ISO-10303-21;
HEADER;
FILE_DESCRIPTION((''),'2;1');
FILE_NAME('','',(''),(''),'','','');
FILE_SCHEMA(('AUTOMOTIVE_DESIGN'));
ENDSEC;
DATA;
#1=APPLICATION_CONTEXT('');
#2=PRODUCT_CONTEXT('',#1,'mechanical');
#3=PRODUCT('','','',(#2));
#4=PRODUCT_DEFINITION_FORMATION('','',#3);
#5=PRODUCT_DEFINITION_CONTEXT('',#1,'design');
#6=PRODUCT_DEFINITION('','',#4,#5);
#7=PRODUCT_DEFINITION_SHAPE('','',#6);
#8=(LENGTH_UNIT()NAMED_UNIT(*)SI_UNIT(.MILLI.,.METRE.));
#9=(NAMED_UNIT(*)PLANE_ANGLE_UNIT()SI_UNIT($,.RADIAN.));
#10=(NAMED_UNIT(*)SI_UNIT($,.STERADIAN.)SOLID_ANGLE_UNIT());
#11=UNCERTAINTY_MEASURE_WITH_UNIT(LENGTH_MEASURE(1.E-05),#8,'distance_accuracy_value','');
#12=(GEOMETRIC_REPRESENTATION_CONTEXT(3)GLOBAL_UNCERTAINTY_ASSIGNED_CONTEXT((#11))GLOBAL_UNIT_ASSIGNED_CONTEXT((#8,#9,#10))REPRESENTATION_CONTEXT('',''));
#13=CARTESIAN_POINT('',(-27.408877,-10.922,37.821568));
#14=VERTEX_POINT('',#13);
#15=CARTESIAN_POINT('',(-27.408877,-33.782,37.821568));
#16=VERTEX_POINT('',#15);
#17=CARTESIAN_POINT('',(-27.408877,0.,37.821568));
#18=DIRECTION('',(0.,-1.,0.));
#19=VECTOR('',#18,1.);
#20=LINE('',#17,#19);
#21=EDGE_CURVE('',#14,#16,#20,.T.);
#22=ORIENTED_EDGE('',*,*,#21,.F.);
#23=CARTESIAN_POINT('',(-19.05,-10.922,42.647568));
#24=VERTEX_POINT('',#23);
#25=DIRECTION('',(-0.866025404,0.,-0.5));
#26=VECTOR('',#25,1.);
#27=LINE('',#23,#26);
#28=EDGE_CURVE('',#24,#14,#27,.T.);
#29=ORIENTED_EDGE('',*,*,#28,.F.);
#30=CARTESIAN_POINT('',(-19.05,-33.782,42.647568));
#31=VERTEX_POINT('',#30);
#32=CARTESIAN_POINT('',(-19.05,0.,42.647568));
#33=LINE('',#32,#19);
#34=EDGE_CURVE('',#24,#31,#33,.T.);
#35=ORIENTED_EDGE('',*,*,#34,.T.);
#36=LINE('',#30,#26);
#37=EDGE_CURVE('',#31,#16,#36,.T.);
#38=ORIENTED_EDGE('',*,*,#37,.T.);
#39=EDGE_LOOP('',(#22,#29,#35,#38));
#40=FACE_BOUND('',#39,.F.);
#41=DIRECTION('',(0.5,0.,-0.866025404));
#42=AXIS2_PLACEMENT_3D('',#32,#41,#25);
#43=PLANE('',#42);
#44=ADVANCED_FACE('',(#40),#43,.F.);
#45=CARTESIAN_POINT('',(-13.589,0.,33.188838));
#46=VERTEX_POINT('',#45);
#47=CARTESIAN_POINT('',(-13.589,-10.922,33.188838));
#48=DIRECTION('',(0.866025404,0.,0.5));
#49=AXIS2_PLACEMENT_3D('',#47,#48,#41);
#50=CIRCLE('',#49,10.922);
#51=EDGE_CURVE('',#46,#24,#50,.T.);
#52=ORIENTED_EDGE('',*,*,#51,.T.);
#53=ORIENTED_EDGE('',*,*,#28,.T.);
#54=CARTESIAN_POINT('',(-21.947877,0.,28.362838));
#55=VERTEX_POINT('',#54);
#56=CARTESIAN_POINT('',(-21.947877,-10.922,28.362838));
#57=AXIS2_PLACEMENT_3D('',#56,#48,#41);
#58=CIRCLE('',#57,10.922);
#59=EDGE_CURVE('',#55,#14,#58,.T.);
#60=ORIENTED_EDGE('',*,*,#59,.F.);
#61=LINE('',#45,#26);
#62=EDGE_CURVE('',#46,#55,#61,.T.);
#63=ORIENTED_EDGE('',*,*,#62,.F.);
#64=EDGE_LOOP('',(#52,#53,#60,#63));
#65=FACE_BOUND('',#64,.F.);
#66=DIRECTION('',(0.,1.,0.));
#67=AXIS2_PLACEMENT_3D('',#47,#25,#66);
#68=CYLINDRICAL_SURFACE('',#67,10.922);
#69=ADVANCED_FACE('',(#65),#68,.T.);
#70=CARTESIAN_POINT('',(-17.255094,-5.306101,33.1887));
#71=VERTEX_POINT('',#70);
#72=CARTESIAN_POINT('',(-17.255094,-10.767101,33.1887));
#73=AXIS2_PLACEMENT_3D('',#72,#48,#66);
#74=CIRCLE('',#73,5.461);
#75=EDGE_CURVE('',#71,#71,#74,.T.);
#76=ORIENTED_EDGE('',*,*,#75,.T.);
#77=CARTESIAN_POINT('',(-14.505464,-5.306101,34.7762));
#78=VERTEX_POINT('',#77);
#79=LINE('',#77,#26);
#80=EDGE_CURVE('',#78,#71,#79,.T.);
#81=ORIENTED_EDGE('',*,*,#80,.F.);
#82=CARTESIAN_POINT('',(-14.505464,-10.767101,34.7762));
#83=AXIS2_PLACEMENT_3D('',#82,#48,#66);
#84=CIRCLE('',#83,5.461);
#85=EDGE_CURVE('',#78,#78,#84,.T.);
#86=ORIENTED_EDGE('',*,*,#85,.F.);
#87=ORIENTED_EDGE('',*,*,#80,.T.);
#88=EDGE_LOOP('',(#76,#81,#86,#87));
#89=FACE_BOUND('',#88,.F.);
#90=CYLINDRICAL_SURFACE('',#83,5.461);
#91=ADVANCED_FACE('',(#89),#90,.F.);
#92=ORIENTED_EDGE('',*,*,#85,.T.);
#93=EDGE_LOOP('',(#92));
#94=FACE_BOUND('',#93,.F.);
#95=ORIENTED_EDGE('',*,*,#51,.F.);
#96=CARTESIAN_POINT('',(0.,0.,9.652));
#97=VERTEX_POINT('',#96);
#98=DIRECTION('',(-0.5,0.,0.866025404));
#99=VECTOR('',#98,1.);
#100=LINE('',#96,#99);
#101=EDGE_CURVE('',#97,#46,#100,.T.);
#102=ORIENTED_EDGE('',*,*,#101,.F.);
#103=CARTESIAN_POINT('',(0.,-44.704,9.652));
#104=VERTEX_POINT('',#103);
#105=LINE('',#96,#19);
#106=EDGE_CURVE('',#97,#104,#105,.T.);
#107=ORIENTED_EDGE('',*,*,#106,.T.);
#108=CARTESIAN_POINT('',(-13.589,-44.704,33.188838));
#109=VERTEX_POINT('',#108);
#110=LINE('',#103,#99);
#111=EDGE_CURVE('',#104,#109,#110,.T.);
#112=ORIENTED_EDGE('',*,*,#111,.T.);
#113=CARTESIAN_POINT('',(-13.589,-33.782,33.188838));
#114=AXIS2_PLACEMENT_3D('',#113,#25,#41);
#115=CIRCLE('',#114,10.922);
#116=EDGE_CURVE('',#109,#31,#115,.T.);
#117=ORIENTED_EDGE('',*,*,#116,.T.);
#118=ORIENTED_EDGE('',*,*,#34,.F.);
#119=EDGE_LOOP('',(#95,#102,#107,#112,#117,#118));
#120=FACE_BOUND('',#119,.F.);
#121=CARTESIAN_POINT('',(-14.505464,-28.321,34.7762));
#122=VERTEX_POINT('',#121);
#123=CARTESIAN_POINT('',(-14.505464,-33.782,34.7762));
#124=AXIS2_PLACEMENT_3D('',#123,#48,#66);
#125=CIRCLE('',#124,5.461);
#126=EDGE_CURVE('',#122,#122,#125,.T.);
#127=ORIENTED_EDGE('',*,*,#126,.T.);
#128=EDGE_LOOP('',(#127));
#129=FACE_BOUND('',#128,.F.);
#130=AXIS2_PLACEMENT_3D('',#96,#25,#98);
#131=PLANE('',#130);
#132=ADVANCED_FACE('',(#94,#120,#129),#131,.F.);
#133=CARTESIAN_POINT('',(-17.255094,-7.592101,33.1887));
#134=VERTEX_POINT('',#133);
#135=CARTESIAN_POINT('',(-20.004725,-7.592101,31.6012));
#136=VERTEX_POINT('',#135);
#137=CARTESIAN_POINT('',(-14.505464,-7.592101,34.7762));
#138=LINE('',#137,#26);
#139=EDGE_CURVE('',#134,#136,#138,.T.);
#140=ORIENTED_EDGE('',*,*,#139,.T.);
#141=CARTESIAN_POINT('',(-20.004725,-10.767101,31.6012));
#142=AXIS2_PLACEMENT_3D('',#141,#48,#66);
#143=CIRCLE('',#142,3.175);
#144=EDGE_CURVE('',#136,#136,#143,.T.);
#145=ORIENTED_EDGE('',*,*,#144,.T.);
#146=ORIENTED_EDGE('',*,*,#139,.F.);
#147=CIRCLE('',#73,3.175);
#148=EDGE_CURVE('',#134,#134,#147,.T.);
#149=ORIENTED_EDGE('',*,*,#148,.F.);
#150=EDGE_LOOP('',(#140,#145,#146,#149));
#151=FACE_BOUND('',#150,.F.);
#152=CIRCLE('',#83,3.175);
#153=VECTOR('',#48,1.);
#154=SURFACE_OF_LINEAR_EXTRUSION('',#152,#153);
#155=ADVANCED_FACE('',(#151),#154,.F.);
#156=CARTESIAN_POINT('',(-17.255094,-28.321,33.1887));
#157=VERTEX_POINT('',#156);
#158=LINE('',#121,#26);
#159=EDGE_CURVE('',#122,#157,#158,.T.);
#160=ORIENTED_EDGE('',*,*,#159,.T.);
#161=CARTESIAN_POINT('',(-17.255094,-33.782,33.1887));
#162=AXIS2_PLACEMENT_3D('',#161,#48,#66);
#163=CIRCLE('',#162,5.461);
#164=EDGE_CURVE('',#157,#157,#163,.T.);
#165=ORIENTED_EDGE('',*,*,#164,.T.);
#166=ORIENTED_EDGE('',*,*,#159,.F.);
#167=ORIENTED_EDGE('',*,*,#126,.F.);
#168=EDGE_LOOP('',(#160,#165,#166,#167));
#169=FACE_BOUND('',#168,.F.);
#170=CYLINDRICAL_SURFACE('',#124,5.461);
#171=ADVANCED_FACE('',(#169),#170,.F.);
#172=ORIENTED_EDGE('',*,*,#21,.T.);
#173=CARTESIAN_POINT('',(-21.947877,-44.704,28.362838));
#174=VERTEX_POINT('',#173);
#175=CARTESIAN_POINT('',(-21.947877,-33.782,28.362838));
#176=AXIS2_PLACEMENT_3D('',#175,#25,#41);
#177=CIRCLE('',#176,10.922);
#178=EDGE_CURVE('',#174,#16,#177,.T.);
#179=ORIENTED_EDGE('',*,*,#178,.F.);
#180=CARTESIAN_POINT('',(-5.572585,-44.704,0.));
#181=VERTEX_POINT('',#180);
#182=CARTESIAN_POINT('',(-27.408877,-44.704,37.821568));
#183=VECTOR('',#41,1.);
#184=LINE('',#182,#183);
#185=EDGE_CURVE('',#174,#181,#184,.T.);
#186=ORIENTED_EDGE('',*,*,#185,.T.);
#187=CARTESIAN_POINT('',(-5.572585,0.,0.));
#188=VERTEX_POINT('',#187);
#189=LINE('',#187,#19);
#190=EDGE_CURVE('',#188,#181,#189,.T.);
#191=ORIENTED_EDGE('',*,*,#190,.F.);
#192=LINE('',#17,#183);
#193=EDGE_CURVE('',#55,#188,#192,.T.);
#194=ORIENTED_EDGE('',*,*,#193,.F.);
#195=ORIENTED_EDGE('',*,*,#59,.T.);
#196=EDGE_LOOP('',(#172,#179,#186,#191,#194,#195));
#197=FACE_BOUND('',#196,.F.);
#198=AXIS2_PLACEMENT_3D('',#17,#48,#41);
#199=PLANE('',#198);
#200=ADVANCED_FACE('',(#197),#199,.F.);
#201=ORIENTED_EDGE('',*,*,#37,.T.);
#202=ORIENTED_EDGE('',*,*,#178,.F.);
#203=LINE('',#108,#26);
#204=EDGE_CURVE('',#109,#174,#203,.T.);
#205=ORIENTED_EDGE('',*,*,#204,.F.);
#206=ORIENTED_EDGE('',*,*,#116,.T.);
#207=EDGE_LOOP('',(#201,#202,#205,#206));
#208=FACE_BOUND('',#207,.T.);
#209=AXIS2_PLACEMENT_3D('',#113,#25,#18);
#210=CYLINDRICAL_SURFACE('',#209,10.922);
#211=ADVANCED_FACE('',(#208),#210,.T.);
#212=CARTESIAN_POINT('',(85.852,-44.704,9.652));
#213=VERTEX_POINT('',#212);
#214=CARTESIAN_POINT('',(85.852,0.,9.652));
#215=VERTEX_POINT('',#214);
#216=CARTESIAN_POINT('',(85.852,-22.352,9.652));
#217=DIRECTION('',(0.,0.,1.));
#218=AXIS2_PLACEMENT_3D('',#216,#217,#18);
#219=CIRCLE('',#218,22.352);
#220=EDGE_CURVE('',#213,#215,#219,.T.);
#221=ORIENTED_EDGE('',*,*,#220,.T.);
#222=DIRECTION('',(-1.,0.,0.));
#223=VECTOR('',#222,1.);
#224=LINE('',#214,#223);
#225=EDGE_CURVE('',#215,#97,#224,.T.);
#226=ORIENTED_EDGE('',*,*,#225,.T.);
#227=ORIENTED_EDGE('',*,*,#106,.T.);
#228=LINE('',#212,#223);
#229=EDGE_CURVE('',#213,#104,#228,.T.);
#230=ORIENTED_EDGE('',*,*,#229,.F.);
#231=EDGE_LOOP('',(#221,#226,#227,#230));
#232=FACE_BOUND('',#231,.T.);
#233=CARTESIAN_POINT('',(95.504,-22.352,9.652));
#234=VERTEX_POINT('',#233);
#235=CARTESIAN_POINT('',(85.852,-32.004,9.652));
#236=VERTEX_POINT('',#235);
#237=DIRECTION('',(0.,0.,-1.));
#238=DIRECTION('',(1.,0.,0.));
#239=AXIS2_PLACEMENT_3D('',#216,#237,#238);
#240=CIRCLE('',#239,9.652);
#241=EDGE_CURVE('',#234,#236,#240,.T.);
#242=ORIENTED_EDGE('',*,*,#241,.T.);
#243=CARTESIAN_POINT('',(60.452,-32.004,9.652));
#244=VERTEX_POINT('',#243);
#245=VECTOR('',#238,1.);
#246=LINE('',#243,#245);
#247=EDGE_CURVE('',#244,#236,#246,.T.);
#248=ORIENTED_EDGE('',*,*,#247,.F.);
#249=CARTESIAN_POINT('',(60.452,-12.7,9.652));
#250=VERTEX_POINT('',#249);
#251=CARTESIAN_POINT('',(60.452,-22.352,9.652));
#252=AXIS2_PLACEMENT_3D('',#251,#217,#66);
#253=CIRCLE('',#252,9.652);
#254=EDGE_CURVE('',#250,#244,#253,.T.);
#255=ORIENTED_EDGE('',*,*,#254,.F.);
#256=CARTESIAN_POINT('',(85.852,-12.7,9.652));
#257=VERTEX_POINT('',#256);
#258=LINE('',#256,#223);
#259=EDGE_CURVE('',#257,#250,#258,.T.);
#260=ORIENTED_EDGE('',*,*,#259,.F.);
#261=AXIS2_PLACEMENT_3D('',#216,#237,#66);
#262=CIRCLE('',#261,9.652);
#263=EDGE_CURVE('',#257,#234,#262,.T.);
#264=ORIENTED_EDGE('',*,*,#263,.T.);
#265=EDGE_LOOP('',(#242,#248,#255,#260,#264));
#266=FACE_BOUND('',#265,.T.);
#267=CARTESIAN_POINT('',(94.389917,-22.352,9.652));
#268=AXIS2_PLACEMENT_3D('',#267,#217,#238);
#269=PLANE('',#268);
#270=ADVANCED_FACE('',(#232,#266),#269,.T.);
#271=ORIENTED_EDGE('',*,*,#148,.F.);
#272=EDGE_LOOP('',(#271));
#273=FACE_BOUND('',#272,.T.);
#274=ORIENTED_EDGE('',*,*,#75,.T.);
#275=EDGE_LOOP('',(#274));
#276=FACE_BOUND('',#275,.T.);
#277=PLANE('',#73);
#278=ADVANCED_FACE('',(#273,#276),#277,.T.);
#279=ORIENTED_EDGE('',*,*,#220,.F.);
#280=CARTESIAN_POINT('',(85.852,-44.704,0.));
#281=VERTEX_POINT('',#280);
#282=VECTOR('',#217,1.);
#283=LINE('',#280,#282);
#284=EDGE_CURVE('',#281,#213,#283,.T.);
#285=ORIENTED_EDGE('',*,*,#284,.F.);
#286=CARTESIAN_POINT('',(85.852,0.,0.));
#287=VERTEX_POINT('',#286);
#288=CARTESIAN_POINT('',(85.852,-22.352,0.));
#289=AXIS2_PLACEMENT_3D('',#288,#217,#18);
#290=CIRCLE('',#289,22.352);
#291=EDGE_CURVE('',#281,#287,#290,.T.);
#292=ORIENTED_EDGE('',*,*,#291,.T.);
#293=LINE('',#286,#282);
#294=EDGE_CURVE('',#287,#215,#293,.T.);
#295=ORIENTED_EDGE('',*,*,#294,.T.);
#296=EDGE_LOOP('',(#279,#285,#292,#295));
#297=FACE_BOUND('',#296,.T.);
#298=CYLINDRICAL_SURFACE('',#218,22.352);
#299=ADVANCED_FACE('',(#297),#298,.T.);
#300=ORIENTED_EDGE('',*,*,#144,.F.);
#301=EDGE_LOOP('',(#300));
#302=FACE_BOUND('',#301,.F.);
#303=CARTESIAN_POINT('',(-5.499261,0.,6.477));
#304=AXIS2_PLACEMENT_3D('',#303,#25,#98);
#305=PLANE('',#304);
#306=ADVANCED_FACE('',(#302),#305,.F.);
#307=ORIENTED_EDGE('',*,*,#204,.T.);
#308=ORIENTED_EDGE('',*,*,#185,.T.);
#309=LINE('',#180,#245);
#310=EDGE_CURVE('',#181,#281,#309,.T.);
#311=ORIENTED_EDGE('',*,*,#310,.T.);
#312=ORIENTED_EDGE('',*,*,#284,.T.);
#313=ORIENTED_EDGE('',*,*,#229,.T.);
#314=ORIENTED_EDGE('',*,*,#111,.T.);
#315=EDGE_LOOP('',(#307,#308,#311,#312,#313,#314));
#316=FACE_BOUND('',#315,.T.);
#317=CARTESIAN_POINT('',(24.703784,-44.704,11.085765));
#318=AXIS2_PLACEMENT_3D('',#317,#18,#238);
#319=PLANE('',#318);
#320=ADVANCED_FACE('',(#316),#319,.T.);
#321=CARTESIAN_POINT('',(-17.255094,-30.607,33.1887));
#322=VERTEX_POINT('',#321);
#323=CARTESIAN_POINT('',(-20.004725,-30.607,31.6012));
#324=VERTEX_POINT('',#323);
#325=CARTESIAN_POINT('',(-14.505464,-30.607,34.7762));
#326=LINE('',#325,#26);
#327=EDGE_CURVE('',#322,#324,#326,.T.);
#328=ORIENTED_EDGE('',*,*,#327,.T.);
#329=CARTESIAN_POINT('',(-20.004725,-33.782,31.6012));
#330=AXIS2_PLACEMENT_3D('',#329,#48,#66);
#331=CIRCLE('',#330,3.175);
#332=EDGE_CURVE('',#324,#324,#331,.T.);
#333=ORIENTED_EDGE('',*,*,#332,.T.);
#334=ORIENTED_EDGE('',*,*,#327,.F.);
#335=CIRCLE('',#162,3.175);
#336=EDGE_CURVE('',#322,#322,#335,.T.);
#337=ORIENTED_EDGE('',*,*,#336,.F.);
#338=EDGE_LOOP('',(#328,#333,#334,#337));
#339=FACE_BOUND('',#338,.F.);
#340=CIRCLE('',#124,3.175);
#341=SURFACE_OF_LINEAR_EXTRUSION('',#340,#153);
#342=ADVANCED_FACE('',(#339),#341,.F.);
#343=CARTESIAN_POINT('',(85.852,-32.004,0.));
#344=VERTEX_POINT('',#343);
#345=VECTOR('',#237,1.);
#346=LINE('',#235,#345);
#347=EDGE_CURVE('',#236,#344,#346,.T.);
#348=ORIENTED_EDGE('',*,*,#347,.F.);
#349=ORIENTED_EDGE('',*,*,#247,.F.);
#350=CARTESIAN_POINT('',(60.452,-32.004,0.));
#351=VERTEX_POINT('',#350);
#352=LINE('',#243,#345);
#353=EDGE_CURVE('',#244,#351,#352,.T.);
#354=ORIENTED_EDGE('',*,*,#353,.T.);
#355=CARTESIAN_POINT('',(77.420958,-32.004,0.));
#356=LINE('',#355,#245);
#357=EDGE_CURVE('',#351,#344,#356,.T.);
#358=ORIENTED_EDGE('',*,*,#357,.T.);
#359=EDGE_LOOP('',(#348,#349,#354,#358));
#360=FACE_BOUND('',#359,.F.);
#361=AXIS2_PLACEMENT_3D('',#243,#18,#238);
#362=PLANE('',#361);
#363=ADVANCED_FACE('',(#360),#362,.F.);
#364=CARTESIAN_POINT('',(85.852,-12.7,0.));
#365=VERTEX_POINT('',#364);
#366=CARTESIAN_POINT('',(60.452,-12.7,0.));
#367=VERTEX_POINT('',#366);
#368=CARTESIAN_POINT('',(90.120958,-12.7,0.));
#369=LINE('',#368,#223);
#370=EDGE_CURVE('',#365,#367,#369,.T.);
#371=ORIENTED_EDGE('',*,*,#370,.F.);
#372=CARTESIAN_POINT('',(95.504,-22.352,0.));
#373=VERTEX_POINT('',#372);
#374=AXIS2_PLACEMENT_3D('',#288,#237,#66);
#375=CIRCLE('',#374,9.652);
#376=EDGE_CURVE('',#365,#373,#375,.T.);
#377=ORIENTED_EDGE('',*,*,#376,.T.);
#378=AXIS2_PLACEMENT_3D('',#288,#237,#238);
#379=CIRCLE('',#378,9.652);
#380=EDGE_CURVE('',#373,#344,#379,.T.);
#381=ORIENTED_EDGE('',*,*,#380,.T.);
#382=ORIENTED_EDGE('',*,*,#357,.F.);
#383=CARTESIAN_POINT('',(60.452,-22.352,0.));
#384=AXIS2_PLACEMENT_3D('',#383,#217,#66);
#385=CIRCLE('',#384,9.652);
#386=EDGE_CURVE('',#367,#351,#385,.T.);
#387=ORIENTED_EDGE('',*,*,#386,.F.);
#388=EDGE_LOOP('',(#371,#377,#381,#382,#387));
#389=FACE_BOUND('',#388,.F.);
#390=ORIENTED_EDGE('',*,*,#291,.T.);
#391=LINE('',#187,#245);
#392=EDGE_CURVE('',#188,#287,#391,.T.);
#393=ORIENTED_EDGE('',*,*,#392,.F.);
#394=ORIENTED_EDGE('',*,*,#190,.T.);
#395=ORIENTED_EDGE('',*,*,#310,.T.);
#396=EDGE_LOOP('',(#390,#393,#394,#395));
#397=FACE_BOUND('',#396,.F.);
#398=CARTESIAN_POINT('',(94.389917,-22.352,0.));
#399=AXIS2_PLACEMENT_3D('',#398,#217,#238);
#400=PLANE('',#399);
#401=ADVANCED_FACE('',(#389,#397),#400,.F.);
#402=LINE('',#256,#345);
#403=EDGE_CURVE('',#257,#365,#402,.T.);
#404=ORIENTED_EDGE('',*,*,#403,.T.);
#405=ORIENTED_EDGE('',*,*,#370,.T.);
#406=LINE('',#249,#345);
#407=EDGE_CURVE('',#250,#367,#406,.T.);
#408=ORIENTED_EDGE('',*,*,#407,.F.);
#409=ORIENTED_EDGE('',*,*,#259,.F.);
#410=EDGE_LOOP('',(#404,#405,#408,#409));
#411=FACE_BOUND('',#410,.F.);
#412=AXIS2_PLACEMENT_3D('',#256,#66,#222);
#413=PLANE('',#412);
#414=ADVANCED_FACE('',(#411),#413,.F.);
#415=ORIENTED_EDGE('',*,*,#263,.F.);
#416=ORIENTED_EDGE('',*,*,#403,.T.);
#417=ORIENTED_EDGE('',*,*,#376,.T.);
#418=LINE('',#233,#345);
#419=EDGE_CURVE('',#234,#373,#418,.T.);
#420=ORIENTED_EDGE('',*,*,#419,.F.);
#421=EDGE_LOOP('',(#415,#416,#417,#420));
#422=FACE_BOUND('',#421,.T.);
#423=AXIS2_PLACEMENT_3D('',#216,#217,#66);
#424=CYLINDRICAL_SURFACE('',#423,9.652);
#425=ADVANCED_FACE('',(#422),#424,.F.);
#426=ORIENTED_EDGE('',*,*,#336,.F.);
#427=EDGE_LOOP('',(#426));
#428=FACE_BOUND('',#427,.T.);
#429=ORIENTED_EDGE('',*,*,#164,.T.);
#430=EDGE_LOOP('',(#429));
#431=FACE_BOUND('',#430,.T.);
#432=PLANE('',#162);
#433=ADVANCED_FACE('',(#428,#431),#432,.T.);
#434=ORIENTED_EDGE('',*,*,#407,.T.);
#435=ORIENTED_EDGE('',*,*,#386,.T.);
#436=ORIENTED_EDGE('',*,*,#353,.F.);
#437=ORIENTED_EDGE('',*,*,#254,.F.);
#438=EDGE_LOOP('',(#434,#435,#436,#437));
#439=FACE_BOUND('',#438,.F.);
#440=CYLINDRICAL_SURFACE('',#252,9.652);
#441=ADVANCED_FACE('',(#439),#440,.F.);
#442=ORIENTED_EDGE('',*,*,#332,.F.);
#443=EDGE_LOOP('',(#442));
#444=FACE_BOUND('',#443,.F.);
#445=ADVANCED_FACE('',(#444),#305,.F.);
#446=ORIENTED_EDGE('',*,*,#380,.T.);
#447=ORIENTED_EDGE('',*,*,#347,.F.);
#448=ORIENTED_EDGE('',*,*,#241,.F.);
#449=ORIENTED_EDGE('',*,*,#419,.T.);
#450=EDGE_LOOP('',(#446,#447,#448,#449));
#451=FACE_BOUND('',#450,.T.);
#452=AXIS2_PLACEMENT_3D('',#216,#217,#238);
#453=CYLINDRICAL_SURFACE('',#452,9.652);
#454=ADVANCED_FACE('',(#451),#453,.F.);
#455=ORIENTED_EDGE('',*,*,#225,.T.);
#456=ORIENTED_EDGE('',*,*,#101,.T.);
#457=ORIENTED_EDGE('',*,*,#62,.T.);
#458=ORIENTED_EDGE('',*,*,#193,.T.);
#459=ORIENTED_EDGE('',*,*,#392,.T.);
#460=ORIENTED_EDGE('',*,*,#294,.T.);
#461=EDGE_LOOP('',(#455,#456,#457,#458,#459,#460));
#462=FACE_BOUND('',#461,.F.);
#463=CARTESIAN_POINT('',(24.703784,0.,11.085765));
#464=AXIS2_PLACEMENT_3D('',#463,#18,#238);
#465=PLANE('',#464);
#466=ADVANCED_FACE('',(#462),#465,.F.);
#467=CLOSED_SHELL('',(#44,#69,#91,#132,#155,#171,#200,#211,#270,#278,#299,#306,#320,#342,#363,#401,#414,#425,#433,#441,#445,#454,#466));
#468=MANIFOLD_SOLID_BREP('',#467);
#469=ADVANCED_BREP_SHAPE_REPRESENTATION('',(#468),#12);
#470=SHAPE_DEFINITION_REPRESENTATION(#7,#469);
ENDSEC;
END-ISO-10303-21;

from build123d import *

# Parameters (mm, degrees)
F1_DEPTH = 44.704
F3_DEPTH = 9.652
F4_DEPTH = 25.4
F5_R     = 10.922
F6_R     = 5.461
F6_R_2   = 3.175
F7_DEPTH = 3.175
F8_DEPTH = 6.35


with BuildPart() as f1:
    # F0 (on Front) → F1 (new body)
    with BuildSketch(Plane.XZ):
        Polygon((-5.5725847982, 0), (85.852, 0), (85.852, 9.652), (0, 9.652), (-19.05, 42.6475678842), (-27.4088771973, 37.8215678842), align=None)
    extrude(amount=F1_DEPTH)

    # F2 (on face) → F3 (join)
    with BuildSketch(Plane.XY.offset(9.652)):
        with BuildLine():
            ThreePointArc((85.852, -12.7), (92.676994652, -15.527005348), (95.504, -22.352))
            ThreePointArc((95.504, -22.352), (92.676994652, -29.176994652), (85.852, -32.004))
            Line((85.852, -32.004), (85.852, -44.704))
            ThreePointArc((85.852, -44.704), (108.204, -22.352), (85.852, 0))
            Line((85.852, 0), (85.852, -12.7))
        make_face()
    extrude(amount=-F3_DEPTH)

    # F2 (on face) → F4 (cut)
    with BuildSketch(Plane.XY.offset(9.652)):
        with BuildLine():
            ThreePointArc((85.852, -32.004), (92.676994652, -29.176994652), (95.504, -22.352))
            ThreePointArc((95.504, -22.352), (92.676994652, -15.527005348), (85.852, -12.7))
            ThreePointArc((85.852, -12.7), (76.2, -22.352), (85.852, -32.004))
        make_face()
        with BuildLine():
            ThreePointArc((85.852, -32.004), (76.2, -22.352), (85.852, -12.7))
            Line((85.852, -12.7), (60.452, -12.7))
            ThreePointArc((60.452, -12.7), (67.276994652, -15.527005348), (70.104, -22.352))
            ThreePointArc((70.104, -22.352), (67.276994652, -29.176994652), (60.452, -32.004))
            Line((60.452, -32.004), (85.852, -32.004))
        make_face()
        with BuildLine():
            ThreePointArc((70.104, -22.352), (67.276994652, -15.527005348), (60.452, -12.7))
            ThreePointArc((60.452, -12.7), (50.8, -22.352), (60.452, -32.004))
            ThreePointArc((60.452, -32.004), (67.276994652, -29.176994652), (70.104, -22.352))
        make_face()
    extrude(amount=-F4_DEPTH, mode=Mode.SUBTRACT)

    # F5
    f5_edges = [f1.edges().sort_by_distance(p)[0] for p in [
        (-23.229439, -44.704, 40.234568),
        (-23.229439, 0, 40.234568),
    ]]
    fillet(f5_edges, radius=F5_R)

    # F6 (on face) → F7 (cut)
    with BuildSketch(Plane(origin=(4.1794385987, 0, 2.413), x_dir=(0, 1, 0), z_dir=(0.8660254038, 0, 0.5))):
        with Locations((-33.782, 37.3698046379)):
            Circle(F6_R)
        with Locations((-33.782, 37.3698046379)):
            Circle(F6_R_2, mode=Mode.SUBTRACT)
        with Locations((-10.7671008632, 37.3698046379)):
            Circle(F6_R)
        with Locations((-10.7671008632, 37.3698046379)):
            Circle(F6_R_2, mode=Mode.SUBTRACT)
    extrude(amount=-F7_DEPTH, mode=Mode.SUBTRACT)

    # F8 (cut): faces of the model
    f8_faces = [f1.faces().sort_by_distance(p)[0] for p in [
        (-14.5054637203, -33.782, 34.7762001509),
        (-14.5054637203, -10.7671008632, 34.7762001509),
    ]]
    extrude(f8_faces, amount=-F8_DEPTH, mode=Mode.SUBTRACT)


solid = f1.part
